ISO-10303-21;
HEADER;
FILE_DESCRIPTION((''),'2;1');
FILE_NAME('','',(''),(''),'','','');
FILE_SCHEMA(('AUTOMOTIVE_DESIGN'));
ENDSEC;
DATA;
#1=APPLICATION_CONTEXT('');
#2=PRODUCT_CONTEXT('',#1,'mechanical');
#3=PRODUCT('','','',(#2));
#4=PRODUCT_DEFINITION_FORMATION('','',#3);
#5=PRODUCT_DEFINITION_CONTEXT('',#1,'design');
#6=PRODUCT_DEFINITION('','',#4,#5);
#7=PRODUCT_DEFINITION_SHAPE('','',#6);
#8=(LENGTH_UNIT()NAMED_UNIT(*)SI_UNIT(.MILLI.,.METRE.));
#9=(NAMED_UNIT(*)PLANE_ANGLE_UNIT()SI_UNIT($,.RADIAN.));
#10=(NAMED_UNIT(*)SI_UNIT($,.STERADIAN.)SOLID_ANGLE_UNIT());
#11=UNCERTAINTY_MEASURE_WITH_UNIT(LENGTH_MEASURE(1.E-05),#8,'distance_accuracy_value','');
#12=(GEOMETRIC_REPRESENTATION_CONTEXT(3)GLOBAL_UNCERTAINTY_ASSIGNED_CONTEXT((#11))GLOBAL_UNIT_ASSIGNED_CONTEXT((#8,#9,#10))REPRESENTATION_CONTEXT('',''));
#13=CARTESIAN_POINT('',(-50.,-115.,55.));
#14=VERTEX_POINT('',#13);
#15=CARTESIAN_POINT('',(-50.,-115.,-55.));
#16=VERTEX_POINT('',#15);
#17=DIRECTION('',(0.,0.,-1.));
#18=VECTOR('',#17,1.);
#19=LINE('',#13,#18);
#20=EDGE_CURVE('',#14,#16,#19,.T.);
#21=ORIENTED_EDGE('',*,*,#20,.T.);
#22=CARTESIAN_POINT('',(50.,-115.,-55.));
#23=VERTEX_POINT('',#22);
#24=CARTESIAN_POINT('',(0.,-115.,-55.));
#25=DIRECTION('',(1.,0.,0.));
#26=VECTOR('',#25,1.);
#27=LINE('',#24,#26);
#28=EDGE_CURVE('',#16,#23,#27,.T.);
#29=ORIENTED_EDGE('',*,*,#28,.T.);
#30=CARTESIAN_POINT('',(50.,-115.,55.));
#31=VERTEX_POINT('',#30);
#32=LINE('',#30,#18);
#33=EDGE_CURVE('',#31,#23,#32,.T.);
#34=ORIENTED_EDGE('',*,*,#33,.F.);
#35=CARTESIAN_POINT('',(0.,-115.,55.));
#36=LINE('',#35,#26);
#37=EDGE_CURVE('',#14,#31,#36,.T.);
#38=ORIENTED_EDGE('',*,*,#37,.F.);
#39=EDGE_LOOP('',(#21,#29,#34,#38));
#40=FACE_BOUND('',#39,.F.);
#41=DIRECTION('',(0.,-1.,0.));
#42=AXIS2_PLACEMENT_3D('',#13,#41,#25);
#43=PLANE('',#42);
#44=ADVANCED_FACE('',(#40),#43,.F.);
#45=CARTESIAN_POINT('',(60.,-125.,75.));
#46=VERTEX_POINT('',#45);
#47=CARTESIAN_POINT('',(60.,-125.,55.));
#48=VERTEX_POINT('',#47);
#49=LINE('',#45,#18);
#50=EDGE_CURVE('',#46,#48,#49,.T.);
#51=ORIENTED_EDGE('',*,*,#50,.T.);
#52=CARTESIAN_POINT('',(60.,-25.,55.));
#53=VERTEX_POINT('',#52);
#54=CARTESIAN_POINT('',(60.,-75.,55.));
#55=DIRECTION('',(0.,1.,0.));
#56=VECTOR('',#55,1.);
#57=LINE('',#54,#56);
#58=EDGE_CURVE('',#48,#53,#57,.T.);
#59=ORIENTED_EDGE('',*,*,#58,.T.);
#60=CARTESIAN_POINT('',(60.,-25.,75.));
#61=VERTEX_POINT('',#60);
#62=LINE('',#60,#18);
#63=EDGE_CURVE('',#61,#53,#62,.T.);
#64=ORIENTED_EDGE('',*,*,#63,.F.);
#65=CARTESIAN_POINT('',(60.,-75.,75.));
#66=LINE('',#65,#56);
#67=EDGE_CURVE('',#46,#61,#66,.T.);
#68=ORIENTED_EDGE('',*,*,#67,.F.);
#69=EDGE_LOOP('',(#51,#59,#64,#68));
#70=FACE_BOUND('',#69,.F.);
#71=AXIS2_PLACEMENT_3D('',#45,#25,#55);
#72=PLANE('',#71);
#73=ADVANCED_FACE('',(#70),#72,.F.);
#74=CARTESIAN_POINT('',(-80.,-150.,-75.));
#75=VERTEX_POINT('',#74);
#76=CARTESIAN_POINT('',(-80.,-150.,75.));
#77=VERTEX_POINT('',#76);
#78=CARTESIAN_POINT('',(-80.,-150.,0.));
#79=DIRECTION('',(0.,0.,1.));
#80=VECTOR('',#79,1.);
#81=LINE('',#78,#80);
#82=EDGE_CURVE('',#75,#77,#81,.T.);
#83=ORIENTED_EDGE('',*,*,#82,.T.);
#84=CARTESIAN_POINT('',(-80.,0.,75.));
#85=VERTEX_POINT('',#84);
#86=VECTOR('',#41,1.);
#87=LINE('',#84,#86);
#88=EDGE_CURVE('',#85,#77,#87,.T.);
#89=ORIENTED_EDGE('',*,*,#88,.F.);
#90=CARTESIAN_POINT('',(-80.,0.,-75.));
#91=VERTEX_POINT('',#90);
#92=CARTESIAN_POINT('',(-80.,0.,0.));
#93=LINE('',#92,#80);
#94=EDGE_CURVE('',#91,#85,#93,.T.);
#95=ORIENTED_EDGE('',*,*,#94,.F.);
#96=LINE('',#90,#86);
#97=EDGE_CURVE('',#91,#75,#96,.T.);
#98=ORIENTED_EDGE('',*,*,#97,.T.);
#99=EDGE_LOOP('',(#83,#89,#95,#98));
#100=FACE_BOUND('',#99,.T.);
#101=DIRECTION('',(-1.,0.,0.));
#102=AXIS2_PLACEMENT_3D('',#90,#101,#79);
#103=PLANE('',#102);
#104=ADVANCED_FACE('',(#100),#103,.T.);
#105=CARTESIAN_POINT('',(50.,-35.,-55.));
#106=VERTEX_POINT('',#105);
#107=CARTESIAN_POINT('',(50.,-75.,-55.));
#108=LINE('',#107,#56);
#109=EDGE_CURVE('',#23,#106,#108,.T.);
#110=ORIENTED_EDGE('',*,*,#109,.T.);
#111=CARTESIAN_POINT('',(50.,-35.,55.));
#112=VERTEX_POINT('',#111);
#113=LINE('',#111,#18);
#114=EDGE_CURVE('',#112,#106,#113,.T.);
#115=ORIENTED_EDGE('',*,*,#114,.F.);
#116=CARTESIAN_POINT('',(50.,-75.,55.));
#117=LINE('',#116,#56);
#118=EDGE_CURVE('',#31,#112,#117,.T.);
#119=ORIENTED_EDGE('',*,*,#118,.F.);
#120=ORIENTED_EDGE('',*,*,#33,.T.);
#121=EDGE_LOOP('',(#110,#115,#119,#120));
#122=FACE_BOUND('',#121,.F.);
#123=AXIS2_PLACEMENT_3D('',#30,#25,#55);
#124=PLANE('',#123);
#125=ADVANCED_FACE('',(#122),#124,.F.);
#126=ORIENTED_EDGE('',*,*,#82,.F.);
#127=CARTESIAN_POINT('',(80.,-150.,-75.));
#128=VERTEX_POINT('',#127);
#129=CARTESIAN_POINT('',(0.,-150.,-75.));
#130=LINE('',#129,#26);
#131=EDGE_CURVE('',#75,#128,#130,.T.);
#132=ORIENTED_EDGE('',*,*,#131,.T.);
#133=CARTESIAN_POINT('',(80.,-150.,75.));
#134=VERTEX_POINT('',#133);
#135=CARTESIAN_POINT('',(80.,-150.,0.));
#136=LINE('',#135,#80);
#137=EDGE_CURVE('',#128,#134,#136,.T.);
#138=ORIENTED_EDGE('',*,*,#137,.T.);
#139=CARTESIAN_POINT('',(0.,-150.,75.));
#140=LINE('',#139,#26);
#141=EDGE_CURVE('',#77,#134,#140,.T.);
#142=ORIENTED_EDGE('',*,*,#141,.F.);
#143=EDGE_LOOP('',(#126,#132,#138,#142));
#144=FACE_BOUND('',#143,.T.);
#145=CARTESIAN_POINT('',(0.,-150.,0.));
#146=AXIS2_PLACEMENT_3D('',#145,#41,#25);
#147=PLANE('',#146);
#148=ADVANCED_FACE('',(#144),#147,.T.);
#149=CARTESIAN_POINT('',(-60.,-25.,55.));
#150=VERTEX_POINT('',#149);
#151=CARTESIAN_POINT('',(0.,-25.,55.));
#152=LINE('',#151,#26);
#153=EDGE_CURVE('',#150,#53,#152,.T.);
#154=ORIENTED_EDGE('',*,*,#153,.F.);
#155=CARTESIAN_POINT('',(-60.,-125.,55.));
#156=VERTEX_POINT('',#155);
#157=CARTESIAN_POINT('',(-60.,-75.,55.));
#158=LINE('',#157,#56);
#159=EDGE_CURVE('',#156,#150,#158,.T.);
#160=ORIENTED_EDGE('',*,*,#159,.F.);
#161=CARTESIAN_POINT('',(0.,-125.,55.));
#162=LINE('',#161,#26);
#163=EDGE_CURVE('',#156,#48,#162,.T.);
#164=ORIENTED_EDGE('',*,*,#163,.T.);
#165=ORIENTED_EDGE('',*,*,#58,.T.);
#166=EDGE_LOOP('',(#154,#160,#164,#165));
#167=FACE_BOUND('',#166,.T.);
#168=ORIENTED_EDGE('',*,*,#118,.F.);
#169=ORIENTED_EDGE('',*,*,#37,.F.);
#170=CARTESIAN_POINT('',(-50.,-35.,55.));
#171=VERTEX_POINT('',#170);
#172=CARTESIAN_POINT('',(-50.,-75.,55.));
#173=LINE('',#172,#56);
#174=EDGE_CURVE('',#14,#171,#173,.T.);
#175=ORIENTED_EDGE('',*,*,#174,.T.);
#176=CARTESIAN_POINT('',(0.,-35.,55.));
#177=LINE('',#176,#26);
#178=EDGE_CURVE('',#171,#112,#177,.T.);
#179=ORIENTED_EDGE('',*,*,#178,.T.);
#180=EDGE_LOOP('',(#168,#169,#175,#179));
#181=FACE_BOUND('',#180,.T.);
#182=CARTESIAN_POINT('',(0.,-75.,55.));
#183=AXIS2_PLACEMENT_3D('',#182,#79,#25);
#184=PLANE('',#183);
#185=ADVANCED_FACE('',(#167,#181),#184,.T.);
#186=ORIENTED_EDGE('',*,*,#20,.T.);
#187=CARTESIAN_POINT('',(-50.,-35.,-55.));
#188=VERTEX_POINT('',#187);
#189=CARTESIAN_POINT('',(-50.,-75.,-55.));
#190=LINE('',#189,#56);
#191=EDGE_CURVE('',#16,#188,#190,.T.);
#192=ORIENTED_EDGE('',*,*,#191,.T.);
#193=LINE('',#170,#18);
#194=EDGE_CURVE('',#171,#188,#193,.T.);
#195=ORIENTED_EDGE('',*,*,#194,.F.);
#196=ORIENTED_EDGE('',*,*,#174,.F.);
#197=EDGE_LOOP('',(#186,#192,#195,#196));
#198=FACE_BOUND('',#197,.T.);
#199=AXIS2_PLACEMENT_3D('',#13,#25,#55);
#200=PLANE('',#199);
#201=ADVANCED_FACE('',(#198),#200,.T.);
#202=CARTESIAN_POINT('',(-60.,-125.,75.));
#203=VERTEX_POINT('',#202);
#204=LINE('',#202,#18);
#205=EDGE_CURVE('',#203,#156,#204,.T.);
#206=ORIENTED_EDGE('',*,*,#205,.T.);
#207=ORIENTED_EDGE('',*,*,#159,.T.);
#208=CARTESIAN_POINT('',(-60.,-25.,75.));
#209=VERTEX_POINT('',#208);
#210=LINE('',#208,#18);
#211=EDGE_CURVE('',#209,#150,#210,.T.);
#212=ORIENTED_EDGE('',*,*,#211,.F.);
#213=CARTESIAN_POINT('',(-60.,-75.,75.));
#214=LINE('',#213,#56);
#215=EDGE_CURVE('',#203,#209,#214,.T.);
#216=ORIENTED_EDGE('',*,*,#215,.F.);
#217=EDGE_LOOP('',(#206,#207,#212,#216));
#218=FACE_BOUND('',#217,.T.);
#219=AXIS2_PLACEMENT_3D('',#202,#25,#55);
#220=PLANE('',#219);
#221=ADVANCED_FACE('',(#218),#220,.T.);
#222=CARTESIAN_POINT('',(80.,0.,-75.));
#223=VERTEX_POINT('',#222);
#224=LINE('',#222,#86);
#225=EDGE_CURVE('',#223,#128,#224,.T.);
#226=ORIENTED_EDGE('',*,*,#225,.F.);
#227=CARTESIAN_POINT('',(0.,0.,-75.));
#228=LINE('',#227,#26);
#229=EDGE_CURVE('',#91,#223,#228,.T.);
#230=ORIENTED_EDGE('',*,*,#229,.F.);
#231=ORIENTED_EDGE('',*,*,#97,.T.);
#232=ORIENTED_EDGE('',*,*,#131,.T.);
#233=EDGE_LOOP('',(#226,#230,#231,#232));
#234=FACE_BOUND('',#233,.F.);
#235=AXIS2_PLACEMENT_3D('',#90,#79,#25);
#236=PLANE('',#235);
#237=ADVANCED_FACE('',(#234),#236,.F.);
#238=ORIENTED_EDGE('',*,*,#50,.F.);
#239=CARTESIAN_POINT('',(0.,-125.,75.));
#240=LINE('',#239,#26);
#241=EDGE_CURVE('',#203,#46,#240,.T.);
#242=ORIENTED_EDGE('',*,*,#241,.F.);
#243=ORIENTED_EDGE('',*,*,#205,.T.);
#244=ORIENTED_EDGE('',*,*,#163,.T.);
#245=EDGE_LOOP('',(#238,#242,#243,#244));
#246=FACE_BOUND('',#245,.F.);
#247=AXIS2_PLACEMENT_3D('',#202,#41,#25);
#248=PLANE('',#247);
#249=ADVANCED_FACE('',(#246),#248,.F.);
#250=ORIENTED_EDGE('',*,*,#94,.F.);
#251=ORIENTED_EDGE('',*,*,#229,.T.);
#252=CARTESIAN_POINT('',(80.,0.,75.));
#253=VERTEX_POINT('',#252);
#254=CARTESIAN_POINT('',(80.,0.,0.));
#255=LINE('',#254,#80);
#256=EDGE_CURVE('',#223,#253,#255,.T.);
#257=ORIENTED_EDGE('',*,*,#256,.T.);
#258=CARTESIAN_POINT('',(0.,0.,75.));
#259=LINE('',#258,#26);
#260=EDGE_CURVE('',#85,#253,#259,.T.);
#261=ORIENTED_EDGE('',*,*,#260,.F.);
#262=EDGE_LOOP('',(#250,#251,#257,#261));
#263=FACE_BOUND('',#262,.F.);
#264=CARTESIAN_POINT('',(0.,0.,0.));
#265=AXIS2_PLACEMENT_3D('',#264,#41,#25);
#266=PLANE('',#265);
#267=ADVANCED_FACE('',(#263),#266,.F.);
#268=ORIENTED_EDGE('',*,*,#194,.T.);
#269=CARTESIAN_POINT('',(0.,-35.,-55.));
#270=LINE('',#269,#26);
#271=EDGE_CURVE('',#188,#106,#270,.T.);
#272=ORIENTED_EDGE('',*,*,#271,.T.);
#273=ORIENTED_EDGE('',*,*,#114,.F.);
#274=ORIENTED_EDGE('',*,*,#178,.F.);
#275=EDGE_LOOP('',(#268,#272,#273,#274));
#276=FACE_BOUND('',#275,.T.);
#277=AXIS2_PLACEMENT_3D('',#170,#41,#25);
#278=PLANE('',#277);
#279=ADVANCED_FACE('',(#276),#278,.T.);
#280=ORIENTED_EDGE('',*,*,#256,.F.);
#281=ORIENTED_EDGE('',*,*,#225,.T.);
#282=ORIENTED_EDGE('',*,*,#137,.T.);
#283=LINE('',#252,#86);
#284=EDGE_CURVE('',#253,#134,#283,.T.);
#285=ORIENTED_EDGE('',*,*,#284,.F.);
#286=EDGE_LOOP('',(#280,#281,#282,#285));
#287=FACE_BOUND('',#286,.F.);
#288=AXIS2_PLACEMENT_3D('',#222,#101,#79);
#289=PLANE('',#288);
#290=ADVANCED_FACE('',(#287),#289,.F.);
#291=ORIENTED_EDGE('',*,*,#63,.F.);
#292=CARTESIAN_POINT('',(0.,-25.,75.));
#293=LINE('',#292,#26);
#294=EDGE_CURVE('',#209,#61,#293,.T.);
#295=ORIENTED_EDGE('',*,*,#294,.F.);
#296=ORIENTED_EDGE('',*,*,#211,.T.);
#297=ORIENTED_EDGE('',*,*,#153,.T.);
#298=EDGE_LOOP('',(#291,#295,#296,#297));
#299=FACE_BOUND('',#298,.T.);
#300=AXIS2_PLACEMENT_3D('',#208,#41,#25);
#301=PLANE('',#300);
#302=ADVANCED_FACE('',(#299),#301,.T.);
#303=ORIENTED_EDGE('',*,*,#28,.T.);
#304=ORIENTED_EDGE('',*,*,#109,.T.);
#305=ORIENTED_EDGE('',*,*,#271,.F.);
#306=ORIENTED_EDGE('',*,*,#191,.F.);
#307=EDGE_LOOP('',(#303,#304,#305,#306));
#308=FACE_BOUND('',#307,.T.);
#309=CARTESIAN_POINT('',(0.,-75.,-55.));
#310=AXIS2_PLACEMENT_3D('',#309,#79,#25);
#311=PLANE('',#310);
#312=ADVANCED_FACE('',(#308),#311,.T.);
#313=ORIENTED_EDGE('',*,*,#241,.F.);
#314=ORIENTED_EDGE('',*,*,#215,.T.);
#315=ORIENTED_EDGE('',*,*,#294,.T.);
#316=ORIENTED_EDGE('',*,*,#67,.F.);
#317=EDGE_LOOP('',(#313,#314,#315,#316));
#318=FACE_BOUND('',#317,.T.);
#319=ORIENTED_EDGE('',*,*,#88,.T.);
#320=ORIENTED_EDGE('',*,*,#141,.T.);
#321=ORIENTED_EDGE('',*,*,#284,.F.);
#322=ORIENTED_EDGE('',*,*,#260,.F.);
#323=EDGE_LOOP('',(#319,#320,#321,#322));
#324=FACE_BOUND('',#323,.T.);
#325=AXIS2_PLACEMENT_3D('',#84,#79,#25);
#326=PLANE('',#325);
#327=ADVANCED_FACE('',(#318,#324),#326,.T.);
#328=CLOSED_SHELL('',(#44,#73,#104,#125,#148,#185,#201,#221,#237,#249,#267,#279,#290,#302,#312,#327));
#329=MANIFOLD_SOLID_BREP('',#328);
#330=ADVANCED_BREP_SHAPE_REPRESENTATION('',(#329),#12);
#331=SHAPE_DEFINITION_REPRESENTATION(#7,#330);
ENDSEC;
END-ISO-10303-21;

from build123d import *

# Parameters (mm, degrees)
F0_W     = 160
F0_H     = 150
F1_DEPTH = 150
F2_W     = 120
F2_H     = 100
F3_DEPTH = 20
F4_W     = 100
F4_H     = 80
F5_DEPTH = 110


with BuildPart() as f1:
    # F0 (on Front) → F1 (new body)
    with BuildSketch(Plane.XZ):
        Rectangle(F0_W, F0_H)
    extrude(amount=F1_DEPTH)

    # F2 (on face) → F3 (cut)
    with BuildSketch(Plane.XY.offset(75)):
        with Locations((0, -75)):
            Rectangle(F2_W, F2_H)
    extrude(amount=-F3_DEPTH, mode=Mode.SUBTRACT)

    # F4 (on face) → F5 (cut)
    with BuildSketch(Plane.XY.offset(55)):
        with Locations((0, -75)):
            Rectangle(F4_W, F4_H)
    extrude(amount=-F5_DEPTH, mode=Mode.SUBTRACT)


solid = f1.part
